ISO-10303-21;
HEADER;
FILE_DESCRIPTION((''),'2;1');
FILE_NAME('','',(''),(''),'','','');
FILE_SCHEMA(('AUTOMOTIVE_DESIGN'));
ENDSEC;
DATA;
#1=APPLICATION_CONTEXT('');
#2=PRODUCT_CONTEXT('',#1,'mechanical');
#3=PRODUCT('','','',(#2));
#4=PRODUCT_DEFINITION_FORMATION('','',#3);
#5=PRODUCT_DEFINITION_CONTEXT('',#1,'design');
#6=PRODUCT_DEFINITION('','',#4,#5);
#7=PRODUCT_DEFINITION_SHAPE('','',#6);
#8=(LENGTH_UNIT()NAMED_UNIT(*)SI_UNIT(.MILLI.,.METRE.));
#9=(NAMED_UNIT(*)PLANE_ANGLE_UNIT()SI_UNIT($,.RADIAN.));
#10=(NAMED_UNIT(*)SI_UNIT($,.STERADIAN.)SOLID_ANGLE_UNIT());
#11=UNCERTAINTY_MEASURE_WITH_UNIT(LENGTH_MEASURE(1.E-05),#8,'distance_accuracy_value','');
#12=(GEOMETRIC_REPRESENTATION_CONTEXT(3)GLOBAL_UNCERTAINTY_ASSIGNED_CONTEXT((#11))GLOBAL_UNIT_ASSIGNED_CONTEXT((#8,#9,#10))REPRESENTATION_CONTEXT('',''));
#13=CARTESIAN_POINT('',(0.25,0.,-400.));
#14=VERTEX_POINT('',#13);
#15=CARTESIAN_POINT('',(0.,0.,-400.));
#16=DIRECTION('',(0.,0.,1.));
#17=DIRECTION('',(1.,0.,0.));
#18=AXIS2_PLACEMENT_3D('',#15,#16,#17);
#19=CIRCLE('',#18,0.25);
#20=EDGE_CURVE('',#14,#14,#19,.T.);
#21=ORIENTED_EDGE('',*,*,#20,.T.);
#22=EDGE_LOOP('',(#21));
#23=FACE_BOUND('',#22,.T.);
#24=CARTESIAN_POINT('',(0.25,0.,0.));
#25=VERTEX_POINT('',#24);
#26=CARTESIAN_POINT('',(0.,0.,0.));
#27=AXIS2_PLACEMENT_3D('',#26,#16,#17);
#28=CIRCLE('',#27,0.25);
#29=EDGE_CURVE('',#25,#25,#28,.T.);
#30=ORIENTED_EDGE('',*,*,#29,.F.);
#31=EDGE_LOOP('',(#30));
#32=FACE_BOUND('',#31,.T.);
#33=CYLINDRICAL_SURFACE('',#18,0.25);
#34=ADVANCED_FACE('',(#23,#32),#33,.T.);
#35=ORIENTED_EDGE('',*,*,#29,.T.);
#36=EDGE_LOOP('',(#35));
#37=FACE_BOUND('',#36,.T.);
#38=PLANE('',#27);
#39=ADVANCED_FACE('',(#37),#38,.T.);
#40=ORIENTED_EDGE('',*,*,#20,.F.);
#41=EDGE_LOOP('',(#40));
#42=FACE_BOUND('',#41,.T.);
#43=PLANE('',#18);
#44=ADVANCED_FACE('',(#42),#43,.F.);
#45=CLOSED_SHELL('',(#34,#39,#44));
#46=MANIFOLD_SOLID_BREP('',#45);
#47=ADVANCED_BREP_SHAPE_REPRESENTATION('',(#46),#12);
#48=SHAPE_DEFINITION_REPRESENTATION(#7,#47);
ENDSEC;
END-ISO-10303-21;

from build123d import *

# Parameters (mm, degrees)
SKETCH1_R = 0.25


with BuildPart() as part:
    # Sweep1: sweep along a path in Sketch2
    with BuildLine(Plane(origin=(0, 0, 0), x_dir=(1, 0, 0), z_dir=(0, 1, 0))) as sweep1_path:
        Line((0, 0), (0, 400))
    # Sketch1 → Sweep1 (sweep)
    with BuildSketch(Plane.XY):
        Circle(SKETCH1_R)
    sweep(path=sweep1_path.line)


solid = part.part
